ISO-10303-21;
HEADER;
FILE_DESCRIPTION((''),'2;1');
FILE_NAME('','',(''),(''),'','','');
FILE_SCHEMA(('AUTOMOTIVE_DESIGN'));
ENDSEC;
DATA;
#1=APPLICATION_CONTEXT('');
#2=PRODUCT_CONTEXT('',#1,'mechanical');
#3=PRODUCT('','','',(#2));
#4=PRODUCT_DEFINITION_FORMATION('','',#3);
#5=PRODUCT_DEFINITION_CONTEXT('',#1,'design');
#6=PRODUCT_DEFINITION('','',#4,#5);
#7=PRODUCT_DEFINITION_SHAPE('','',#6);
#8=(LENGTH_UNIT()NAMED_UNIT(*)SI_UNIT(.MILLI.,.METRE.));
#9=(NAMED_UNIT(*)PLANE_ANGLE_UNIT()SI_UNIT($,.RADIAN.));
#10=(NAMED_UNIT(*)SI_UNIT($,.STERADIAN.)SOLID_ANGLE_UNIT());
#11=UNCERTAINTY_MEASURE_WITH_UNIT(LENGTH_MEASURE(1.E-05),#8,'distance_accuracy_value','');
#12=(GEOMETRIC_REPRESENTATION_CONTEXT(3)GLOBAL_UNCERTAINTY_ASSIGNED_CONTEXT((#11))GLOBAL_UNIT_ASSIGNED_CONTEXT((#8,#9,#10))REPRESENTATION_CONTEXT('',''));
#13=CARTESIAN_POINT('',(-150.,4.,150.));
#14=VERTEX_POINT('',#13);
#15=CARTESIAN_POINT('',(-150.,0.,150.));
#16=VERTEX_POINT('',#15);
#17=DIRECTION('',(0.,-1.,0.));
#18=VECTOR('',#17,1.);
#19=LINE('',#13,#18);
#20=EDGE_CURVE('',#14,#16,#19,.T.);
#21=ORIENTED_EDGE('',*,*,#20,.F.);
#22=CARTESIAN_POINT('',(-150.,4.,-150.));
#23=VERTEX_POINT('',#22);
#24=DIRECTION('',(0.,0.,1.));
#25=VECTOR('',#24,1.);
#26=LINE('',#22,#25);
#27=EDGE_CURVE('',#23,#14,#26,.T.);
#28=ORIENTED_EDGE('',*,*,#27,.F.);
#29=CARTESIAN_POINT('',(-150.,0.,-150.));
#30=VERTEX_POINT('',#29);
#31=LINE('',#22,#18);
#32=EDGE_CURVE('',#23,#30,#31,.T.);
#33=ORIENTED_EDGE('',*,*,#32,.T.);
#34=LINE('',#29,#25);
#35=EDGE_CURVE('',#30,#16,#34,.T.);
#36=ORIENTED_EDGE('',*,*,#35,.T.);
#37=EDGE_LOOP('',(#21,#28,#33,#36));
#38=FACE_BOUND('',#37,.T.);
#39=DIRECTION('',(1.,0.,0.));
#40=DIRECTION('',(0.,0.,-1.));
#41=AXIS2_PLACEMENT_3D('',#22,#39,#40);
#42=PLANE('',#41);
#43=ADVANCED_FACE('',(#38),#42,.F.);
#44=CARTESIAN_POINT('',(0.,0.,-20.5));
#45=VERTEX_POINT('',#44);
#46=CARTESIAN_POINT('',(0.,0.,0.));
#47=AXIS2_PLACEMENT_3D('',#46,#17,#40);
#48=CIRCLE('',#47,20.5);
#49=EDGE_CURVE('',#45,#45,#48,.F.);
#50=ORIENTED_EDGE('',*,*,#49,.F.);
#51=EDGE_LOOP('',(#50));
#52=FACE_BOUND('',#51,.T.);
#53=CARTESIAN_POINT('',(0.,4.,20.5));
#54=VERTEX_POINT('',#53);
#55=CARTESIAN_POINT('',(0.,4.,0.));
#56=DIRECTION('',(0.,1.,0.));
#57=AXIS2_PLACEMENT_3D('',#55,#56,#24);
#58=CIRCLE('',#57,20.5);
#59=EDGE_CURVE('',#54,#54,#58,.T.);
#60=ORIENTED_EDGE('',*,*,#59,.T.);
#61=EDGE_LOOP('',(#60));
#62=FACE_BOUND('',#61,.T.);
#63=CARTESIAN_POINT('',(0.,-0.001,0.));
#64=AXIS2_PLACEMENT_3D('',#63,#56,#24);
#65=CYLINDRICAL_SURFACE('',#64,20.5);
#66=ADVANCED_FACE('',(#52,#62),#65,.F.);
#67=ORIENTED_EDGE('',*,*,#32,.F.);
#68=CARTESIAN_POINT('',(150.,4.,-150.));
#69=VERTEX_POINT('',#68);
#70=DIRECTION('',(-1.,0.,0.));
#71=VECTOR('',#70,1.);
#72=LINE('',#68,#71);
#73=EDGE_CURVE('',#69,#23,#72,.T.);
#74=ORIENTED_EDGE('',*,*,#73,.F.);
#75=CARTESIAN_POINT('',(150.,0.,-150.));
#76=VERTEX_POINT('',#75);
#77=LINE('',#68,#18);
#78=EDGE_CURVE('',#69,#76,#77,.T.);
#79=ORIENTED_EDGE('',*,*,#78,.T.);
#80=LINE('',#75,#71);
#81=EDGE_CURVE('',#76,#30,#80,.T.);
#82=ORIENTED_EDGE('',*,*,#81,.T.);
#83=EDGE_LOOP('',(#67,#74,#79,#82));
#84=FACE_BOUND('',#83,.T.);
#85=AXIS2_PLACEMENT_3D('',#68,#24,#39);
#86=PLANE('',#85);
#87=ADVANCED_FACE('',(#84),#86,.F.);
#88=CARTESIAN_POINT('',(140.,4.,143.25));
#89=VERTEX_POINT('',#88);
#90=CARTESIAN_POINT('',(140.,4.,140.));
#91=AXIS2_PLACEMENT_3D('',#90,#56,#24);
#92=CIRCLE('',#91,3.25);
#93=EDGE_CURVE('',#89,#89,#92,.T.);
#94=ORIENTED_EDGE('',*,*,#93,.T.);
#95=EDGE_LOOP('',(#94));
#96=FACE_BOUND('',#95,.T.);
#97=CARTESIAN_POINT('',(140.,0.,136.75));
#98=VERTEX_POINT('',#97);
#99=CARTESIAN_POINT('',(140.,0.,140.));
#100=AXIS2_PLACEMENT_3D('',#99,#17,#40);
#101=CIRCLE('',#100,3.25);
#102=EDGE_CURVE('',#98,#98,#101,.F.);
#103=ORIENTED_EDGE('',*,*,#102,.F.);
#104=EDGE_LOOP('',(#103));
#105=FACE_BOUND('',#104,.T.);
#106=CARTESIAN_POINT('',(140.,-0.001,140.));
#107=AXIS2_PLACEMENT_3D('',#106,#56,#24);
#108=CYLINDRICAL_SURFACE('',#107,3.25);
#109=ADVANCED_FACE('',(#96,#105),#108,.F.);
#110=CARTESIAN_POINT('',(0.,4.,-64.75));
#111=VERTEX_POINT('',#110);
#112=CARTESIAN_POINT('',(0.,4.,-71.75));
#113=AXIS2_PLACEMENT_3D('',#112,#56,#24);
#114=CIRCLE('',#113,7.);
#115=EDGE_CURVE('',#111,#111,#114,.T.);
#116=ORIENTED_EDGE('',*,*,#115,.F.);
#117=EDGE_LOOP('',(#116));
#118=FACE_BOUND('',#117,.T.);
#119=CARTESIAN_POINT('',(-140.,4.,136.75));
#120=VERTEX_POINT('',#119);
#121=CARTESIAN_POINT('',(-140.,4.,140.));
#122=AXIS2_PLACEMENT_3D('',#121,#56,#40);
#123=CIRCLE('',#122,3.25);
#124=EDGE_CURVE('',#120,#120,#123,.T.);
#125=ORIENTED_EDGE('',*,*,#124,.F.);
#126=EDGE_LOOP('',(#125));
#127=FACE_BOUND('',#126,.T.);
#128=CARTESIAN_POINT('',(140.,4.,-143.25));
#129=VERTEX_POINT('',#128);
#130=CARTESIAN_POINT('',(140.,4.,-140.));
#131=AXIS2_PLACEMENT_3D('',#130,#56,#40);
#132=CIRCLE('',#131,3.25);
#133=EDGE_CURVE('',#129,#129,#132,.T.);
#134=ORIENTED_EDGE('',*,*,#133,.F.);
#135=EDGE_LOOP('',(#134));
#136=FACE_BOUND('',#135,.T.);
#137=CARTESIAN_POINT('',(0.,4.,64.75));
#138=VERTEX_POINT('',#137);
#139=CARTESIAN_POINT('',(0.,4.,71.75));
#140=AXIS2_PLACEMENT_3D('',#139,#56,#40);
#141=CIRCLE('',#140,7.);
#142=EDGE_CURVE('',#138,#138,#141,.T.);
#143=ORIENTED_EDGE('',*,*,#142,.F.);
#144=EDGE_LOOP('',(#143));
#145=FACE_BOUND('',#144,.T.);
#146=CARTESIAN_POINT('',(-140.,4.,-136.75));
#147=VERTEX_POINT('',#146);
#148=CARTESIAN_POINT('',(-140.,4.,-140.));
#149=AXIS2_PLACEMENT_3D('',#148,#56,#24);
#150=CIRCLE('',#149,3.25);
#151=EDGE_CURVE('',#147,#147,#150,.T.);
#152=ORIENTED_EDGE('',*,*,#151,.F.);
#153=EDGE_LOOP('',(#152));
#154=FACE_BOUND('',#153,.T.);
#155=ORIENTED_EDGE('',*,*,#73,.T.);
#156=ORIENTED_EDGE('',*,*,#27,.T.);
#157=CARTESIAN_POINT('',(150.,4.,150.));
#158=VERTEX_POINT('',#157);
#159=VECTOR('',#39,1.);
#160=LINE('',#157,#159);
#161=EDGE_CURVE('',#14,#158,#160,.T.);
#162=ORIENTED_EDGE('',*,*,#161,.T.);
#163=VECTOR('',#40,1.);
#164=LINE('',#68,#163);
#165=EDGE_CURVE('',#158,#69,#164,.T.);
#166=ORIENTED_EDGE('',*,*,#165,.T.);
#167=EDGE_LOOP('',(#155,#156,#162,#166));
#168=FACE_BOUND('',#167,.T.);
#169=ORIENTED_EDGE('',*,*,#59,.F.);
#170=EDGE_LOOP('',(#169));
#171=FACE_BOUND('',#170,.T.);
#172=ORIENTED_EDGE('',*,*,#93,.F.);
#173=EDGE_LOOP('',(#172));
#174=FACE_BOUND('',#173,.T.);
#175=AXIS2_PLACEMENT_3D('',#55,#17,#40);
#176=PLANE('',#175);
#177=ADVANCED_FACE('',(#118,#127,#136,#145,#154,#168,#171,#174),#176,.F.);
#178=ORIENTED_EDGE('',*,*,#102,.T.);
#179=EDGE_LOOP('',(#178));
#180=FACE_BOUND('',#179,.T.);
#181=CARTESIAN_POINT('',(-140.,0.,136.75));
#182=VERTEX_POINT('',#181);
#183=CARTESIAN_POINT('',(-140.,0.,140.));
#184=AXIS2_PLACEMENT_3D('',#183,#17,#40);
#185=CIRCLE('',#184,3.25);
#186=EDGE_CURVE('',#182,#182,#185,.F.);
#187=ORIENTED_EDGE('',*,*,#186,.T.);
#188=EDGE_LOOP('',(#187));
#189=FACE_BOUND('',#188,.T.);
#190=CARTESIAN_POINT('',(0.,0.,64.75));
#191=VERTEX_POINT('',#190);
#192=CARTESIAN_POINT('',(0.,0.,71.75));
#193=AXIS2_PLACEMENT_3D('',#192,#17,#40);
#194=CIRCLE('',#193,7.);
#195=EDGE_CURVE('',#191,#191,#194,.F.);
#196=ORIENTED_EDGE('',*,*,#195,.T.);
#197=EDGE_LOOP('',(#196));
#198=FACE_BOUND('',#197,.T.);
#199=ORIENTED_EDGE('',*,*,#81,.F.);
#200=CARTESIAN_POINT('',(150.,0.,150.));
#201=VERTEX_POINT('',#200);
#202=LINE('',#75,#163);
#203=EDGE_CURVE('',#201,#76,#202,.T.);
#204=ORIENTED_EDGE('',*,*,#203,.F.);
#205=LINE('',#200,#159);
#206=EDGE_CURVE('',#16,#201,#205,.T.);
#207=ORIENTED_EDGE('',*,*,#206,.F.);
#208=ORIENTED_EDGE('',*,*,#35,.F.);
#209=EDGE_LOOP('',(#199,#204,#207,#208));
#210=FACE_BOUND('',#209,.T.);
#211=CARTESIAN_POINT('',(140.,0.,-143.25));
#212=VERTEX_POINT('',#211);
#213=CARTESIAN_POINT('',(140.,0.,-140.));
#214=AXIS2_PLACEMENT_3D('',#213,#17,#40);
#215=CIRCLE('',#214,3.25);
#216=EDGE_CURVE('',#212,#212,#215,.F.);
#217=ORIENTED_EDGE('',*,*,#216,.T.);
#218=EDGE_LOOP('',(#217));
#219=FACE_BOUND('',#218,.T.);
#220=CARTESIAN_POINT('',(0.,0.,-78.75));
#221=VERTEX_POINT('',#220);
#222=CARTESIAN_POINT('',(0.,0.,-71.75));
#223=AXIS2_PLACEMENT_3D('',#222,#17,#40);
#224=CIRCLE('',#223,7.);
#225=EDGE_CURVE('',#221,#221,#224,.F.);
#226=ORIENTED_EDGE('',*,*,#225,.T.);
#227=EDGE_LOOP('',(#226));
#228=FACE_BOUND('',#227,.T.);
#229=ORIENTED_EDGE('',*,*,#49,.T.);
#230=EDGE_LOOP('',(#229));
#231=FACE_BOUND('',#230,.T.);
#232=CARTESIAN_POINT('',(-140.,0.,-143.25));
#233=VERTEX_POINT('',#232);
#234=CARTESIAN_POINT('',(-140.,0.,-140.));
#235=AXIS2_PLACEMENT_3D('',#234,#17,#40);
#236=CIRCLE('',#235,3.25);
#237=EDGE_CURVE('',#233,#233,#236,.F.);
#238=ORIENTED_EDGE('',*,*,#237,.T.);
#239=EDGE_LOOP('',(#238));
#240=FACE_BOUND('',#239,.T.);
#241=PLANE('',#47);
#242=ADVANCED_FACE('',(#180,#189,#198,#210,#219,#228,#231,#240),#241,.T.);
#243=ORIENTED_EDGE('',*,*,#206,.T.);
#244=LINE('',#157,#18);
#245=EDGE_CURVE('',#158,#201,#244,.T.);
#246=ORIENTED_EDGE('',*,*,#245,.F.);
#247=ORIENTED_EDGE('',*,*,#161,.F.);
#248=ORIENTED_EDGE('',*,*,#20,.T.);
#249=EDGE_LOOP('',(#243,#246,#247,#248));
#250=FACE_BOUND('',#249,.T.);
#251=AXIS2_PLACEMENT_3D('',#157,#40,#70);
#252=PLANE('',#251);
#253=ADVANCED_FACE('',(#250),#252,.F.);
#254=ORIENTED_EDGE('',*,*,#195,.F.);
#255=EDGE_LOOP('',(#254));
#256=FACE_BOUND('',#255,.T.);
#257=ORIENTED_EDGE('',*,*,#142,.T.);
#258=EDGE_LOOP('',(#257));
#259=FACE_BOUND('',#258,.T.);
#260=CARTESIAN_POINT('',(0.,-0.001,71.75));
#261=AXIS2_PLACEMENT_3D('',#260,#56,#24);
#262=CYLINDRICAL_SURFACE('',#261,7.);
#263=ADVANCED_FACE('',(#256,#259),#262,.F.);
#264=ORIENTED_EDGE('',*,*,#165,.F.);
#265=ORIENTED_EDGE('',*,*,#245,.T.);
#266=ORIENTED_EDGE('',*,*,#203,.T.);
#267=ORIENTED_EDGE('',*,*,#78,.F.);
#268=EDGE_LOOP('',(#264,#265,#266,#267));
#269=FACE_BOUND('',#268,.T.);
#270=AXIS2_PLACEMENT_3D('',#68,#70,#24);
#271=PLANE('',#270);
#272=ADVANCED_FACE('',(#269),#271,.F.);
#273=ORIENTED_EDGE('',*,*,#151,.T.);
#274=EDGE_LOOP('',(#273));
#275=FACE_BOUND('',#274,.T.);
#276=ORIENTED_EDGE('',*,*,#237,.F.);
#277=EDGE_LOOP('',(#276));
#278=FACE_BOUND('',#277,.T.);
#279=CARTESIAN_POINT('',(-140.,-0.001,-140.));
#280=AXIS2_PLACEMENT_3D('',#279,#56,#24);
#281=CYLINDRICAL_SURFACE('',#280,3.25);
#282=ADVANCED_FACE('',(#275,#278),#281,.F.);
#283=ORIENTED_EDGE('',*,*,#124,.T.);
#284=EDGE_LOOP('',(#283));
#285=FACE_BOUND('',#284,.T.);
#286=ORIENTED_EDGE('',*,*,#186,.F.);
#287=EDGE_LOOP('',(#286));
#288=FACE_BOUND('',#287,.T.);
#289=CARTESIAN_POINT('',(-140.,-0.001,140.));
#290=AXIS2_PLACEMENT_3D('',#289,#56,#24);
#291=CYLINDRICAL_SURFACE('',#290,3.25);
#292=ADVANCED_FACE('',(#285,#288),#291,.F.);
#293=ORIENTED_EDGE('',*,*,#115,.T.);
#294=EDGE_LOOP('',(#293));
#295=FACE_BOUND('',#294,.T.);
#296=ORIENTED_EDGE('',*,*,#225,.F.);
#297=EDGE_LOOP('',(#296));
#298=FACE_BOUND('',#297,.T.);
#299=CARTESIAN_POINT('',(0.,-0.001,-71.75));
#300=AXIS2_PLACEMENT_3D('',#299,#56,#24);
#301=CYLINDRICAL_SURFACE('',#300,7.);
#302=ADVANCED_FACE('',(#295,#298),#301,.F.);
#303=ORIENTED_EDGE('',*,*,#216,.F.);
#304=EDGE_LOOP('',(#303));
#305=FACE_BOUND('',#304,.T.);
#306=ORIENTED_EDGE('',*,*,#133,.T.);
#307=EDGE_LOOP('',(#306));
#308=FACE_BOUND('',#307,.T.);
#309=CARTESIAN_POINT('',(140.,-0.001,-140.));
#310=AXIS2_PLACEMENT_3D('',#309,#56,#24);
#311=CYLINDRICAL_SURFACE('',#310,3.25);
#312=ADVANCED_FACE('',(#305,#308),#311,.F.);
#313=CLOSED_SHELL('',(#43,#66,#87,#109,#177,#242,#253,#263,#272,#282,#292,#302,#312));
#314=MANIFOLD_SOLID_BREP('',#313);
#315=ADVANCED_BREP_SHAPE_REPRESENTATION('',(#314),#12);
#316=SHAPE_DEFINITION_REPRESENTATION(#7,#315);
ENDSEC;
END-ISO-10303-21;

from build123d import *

# Parameters (mm, degrees)
SKETCH1_W           = 300
SKETCH1_H           = 300
BOSS_EXTRUDE1_DEPTH = 4
CUT_EXTRUDE1_REACH  = 6
SKETCH2_R           = 3.25
CUT_EXTRUDE2_REACH  = 6
SKETCH3_R           = 20.5
CUT_EXTRUDE3_REACH  = 6
SKETCH4_R           = 7


with BuildPart() as part:
    # Sketch1 → Boss-Extrude1 (new body)
    with BuildSketch(Plane(origin=(0, 0, 0), x_dir=(1, 0, 0), z_dir=(0, 1, 0))):
        Rectangle(SKETCH1_W, SKETCH1_H)
    extrude(amount=BOSS_EXTRUDE1_DEPTH)

    # Sketch2 → Cut-Extrude1 (cut, up to next)
    with BuildSketch(Plane(origin=(0, 4, 0), x_dir=(1, 0, 0), z_dir=(0, 1, 0)), mode=Mode.PRIVATE) as cut_extrude1_sk1:
        with Locations((-140, 140)):
            Circle(SKETCH2_R)
    cut_extrude1_tool1 = extrude(cut_extrude1_sk1.sketch, amount=-CUT_EXTRUDE1_REACH, mode=Mode.PRIVATE) & part.part
    add(cut_extrude1_tool1.solids().sort_by_distance((-140, 4, -140))[0], mode=Mode.SUBTRACT)
    # Sketch2 → Cut-Extrude1 (cut, up to next)
    with BuildSketch(Plane(origin=(0, 4, 0), x_dir=(1, 0, 0), z_dir=(0, 1, 0)), mode=Mode.PRIVATE) as cut_extrude1_sk2:
        with Locations((140, 140)):
            Circle(SKETCH2_R)
    cut_extrude1_tool2 = extrude(cut_extrude1_sk2.sketch, amount=-CUT_EXTRUDE1_REACH, mode=Mode.PRIVATE) & part.part
    add(cut_extrude1_tool2.solids().sort_by_distance((140, 4, -140))[0], mode=Mode.SUBTRACT)
    # Sketch2 → Cut-Extrude1 (cut, up to next)
    with BuildSketch(Plane(origin=(0, 4, 0), x_dir=(1, 0, 0), z_dir=(0, 1, 0)), mode=Mode.PRIVATE) as cut_extrude1_sk3:
        with Locations((140, -140)):
            Circle(SKETCH2_R)
    cut_extrude1_tool3 = extrude(cut_extrude1_sk3.sketch, amount=-CUT_EXTRUDE1_REACH, mode=Mode.PRIVATE) & part.part
    add(cut_extrude1_tool3.solids().sort_by_distance((140, 4, 140))[0], mode=Mode.SUBTRACT)
    # Sketch2 → Cut-Extrude1 (cut, up to next)
    with BuildSketch(Plane(origin=(0, 4, 0), x_dir=(1, 0, 0), z_dir=(0, 1, 0)), mode=Mode.PRIVATE) as cut_extrude1_sk4:
        with Locations((-140, -140)):
            Circle(SKETCH2_R)
    cut_extrude1_tool4 = extrude(cut_extrude1_sk4.sketch, amount=-CUT_EXTRUDE1_REACH, mode=Mode.PRIVATE) & part.part
    add(cut_extrude1_tool4.solids().sort_by_distance((-140, 4, 140))[0], mode=Mode.SUBTRACT)

    # Sketch3 → Cut-Extrude2 (cut, up to next)
    with BuildSketch(Plane(origin=(0, 4, 0), x_dir=(1, 0, 0), z_dir=(0, 1, 0)), mode=Mode.PRIVATE) as cut_extrude2_sk1:
        Circle(SKETCH3_R)
    cut_extrude2_tool1 = extrude(cut_extrude2_sk1.sketch, amount=-CUT_EXTRUDE2_REACH, mode=Mode.PRIVATE) & part.part
    add(cut_extrude2_tool1.solids().sort_by_distance((0, 4, 0))[0], mode=Mode.SUBTRACT)

    # Sketch4 → Cut-Extrude3 (cut, up to next)
    with BuildSketch(Plane(origin=(0, 4, 0), x_dir=(1, 0, 0), z_dir=(0, 1, 0)), mode=Mode.PRIVATE) as cut_extrude3_sk1:
        with Locations((0, 71.75)):
            Circle(SKETCH4_R)
    cut_extrude3_tool1 = extrude(cut_extrude3_sk1.sketch, amount=-CUT_EXTRUDE3_REACH, mode=Mode.PRIVATE) & part.part
    add(cut_extrude3_tool1.solids().sort_by_distance((0, 4, -71.75))[0], mode=Mode.SUBTRACT)
    # Sketch4 → Cut-Extrude3 (cut, up to next)
    with BuildSketch(Plane(origin=(0, 4, 0), x_dir=(1, 0, 0), z_dir=(0, 1, 0)), mode=Mode.PRIVATE) as cut_extrude3_sk2:
        with Locations((0, -71.75)):
            Circle(SKETCH4_R)
    cut_extrude3_tool2 = extrude(cut_extrude3_sk2.sketch, amount=-CUT_EXTRUDE3_REACH, mode=Mode.PRIVATE) & part.part
    add(cut_extrude3_tool2.solids().sort_by_distance((0, 4, 71.75))[0], mode=Mode.SUBTRACT)


solid = part.part
